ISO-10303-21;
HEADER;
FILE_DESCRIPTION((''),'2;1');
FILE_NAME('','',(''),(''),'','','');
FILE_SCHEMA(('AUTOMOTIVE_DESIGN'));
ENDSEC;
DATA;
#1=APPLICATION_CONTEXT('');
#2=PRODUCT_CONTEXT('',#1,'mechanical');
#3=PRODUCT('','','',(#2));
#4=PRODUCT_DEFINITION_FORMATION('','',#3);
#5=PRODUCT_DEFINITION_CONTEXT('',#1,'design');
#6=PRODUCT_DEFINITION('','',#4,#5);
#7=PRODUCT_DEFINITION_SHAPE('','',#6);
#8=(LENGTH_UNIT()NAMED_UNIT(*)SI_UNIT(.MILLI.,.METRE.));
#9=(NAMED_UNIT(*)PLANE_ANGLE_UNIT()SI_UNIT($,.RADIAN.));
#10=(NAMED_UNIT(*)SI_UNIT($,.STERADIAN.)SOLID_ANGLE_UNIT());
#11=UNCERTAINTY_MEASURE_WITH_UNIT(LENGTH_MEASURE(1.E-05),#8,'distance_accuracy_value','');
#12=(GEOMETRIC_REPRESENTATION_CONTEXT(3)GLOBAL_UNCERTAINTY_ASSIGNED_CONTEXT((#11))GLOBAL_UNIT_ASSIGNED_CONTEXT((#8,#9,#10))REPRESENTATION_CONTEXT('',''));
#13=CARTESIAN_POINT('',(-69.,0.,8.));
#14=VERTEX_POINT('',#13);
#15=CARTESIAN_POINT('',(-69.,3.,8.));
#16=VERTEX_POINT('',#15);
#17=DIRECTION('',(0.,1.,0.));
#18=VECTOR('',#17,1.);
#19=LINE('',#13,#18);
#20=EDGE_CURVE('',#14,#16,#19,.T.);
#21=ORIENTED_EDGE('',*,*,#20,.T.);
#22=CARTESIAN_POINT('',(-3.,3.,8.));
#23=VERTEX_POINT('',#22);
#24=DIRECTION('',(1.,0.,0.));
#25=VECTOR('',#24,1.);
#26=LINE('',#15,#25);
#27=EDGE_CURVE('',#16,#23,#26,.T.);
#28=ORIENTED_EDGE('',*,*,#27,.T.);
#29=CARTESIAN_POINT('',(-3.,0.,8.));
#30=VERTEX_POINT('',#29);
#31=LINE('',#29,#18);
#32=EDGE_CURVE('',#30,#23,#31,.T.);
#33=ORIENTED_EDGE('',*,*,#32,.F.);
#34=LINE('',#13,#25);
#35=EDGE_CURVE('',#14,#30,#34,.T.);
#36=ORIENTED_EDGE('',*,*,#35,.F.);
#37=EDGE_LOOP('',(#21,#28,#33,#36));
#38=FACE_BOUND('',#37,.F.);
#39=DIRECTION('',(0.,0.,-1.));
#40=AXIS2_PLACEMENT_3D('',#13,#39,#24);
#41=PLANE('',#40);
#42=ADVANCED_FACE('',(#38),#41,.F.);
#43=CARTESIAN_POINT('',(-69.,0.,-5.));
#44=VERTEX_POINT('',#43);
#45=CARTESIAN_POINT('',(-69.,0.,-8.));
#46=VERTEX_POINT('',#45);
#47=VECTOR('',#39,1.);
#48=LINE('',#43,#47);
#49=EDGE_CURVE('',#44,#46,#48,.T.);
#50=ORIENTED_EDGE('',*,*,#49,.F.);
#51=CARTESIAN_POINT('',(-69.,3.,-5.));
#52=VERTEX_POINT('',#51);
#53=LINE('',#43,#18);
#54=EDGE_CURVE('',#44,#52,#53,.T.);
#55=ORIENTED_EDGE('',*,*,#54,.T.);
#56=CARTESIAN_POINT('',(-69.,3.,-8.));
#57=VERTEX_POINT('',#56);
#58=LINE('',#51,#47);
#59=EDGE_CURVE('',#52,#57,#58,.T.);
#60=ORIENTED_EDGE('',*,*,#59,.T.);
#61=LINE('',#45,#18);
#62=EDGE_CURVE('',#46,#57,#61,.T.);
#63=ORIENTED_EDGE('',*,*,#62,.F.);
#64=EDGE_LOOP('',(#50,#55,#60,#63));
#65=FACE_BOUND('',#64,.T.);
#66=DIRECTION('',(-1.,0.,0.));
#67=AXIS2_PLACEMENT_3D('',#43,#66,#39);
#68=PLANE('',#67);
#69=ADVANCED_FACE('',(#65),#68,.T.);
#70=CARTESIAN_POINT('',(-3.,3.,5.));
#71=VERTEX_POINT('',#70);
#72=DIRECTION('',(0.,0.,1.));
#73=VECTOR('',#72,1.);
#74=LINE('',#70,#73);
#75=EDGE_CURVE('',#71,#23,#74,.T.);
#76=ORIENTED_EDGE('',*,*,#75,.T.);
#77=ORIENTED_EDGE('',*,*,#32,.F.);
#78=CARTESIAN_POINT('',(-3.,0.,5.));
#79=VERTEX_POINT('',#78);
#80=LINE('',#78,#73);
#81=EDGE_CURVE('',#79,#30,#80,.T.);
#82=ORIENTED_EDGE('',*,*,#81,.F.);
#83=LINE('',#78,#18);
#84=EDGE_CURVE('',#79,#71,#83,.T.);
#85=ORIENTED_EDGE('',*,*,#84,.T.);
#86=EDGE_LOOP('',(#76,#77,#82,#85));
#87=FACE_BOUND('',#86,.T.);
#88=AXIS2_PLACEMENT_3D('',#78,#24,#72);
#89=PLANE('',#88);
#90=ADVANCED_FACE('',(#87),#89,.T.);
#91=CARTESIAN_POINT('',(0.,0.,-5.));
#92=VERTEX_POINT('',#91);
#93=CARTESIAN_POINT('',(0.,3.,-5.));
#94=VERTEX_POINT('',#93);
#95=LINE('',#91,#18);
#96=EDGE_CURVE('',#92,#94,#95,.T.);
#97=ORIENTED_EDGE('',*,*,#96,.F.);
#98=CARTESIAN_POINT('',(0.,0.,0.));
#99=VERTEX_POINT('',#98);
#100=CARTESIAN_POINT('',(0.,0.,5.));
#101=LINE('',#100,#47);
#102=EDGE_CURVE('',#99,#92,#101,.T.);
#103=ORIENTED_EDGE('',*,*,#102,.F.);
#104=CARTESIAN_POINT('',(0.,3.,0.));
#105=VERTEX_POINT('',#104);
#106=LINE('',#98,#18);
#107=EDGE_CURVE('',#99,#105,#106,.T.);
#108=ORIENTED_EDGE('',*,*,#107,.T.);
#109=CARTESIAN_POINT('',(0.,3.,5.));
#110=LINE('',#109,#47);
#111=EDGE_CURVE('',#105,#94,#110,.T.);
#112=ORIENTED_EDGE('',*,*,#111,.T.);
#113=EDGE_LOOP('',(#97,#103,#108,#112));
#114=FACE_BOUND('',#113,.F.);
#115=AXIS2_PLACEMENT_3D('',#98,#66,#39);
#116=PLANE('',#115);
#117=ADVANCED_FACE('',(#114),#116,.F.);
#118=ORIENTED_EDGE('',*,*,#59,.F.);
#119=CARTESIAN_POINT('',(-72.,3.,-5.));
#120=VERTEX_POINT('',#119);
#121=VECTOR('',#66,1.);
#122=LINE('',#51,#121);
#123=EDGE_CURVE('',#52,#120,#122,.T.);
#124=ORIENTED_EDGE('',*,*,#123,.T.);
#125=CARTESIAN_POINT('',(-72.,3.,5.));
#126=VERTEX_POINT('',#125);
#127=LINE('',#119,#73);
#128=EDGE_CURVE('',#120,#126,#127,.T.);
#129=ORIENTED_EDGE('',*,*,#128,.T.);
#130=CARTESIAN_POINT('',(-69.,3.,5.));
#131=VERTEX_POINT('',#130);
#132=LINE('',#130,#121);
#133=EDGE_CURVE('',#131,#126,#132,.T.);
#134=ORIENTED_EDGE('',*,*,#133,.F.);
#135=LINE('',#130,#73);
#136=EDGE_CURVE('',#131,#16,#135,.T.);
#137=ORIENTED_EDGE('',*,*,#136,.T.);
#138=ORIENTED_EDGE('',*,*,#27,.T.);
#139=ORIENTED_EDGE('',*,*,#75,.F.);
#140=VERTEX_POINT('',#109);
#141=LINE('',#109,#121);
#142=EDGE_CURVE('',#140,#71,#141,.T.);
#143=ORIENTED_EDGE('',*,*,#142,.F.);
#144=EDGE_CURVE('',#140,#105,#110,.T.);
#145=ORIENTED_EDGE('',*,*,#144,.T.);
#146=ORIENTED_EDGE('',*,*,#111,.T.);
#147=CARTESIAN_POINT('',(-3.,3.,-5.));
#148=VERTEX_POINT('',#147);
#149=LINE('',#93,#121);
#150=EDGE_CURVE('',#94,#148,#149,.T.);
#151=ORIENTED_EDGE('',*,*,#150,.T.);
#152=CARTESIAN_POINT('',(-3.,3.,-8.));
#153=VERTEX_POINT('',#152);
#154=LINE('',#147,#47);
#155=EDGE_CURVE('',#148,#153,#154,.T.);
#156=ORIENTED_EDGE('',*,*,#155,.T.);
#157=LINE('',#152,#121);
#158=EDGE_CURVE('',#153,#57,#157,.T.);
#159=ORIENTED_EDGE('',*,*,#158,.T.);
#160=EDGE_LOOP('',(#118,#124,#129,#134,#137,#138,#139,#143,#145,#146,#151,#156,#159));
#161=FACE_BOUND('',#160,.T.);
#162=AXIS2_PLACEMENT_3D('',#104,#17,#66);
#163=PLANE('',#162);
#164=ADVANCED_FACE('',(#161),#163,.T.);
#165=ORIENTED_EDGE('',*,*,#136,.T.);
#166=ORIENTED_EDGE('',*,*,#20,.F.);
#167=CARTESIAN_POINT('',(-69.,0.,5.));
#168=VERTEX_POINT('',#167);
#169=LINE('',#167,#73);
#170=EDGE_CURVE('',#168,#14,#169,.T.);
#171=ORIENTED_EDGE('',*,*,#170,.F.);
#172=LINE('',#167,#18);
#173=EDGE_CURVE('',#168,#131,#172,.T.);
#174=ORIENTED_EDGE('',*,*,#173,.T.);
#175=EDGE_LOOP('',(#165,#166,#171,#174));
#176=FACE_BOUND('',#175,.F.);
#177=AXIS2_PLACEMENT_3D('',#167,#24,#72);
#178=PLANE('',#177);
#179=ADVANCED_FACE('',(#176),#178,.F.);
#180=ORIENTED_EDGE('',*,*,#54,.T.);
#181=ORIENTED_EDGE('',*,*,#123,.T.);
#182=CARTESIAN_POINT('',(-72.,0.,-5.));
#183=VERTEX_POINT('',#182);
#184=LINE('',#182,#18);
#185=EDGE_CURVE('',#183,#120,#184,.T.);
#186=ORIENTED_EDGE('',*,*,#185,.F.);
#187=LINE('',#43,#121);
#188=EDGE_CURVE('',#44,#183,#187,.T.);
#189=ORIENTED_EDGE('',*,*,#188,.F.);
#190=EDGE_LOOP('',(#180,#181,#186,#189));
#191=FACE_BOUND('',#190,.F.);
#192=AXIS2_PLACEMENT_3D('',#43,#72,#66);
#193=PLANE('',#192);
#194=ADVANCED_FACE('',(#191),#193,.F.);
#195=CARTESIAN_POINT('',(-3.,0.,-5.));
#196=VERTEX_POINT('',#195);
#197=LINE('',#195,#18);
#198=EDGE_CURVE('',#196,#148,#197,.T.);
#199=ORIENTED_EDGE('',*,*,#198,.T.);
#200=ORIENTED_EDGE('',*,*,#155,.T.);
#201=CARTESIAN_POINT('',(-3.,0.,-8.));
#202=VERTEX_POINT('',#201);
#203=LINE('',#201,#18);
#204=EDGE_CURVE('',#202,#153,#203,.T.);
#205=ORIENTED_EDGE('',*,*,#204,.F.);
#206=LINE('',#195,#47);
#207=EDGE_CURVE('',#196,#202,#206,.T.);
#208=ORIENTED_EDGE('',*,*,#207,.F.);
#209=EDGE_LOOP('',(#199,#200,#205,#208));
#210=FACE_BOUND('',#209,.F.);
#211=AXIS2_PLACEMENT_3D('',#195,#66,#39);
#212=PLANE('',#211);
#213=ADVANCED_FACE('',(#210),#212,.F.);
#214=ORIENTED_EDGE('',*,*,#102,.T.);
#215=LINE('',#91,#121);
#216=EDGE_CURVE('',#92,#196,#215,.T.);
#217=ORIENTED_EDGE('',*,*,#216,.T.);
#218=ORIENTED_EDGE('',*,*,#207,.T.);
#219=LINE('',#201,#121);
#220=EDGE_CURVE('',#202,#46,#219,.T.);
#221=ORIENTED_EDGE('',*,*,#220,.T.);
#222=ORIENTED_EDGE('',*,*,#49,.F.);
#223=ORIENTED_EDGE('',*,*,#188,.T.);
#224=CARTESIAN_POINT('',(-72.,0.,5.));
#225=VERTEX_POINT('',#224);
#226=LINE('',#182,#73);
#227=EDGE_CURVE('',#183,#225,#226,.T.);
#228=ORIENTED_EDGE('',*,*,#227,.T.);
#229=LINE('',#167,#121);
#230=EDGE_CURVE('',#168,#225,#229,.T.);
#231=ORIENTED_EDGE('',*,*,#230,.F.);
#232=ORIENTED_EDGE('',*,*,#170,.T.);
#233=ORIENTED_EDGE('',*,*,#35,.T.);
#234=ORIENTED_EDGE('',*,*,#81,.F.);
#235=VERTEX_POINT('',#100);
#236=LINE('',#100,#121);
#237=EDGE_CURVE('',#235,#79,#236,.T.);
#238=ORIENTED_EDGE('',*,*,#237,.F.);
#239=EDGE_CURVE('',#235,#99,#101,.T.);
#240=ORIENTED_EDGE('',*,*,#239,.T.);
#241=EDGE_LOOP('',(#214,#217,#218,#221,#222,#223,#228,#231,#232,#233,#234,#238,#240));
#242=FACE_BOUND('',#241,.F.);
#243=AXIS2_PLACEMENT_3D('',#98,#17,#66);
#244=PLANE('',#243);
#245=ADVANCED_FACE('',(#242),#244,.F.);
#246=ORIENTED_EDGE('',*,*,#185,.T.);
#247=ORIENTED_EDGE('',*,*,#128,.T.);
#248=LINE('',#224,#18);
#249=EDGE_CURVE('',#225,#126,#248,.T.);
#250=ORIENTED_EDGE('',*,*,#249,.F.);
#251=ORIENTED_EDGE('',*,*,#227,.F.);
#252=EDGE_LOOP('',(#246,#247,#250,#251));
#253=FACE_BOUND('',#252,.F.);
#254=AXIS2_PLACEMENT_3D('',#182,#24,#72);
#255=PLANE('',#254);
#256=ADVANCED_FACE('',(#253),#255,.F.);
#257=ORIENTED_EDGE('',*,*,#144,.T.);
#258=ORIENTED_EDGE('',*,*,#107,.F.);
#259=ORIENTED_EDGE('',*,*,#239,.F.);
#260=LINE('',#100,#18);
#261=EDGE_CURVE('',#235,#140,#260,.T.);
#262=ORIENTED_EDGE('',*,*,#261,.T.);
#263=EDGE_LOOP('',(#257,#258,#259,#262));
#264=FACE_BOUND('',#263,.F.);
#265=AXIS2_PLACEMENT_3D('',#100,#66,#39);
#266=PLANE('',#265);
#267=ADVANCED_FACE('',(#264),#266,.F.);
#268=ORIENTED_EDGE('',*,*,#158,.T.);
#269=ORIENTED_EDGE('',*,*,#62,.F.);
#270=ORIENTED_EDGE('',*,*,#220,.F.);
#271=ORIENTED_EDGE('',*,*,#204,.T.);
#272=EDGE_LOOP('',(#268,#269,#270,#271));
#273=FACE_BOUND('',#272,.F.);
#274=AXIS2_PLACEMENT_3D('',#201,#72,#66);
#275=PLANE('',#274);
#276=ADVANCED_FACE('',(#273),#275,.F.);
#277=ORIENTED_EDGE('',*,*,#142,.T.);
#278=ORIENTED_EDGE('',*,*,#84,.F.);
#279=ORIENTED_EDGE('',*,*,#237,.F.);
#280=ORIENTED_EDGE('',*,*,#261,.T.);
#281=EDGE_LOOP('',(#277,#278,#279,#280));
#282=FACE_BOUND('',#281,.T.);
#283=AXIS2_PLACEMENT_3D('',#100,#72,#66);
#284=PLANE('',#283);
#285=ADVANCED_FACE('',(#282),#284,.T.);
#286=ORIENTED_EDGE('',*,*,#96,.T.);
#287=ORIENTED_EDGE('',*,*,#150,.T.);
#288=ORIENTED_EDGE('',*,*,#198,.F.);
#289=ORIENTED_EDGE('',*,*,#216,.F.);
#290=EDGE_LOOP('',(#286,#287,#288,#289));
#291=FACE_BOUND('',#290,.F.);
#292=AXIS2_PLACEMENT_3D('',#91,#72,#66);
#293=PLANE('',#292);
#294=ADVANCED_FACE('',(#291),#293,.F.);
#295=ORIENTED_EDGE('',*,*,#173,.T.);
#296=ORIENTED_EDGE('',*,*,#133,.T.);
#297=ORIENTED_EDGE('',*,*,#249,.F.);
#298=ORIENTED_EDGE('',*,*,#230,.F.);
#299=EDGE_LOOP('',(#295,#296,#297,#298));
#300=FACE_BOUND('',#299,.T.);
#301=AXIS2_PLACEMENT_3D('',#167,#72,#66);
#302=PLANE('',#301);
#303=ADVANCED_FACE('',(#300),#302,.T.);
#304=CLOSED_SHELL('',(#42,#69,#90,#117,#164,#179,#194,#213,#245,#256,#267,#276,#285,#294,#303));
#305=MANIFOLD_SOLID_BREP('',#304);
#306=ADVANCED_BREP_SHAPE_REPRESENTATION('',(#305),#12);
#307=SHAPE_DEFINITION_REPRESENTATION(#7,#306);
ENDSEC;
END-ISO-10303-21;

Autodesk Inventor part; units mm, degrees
ref_plane "YZ Plane" through (0, 0, 0) normal (1, 0, 0) x (0, 1, 0)
ref_plane "XZ Plane" through (0, 0, 0) normal (0, 1, 0) x (-1, 0, 0)
ref_plane "XY Plane" through (0, 0, 0) normal (0, 0, 1) x (1, 0, 0)
sketch "草圖1" plane through (0, 0, 0) normal (0, 1, 0) x (-1, 0, 0)
  line L0 (0, 5) -> (3, 5)
  line L1 (3, 5) -> (3, 8)
  line L2 (69, 5) -> (69, 8)
  line L3 (69, 5) -> (72, 5)
  line L4 (69, -5) -> (72, -5)
  line L5 (69, -5) -> (69, -8)
  line L6 (3, -5) -> (3, -8)
  line L7 (0, -5) -> (3, -5)
  line L8 (3, -8) -> (69, -8)
  line L9 (72, -5) -> (72, 5)
  line L10 (69, 8) -> (3, 8)
  line L11 (0, 5) -> (0, -5)
  line L12 (0, 0) -> (0, -38.3248)
  dimension "d0" = 66
  dimension "d1" = 10
  dimension "d2" = 3
  dimension "d3" = 3
  dimension "d5" = 72
extrude "擠出1" add sketch "草圖1" along normal blind 3
properties part number "support" material "木材 (楓木)"
